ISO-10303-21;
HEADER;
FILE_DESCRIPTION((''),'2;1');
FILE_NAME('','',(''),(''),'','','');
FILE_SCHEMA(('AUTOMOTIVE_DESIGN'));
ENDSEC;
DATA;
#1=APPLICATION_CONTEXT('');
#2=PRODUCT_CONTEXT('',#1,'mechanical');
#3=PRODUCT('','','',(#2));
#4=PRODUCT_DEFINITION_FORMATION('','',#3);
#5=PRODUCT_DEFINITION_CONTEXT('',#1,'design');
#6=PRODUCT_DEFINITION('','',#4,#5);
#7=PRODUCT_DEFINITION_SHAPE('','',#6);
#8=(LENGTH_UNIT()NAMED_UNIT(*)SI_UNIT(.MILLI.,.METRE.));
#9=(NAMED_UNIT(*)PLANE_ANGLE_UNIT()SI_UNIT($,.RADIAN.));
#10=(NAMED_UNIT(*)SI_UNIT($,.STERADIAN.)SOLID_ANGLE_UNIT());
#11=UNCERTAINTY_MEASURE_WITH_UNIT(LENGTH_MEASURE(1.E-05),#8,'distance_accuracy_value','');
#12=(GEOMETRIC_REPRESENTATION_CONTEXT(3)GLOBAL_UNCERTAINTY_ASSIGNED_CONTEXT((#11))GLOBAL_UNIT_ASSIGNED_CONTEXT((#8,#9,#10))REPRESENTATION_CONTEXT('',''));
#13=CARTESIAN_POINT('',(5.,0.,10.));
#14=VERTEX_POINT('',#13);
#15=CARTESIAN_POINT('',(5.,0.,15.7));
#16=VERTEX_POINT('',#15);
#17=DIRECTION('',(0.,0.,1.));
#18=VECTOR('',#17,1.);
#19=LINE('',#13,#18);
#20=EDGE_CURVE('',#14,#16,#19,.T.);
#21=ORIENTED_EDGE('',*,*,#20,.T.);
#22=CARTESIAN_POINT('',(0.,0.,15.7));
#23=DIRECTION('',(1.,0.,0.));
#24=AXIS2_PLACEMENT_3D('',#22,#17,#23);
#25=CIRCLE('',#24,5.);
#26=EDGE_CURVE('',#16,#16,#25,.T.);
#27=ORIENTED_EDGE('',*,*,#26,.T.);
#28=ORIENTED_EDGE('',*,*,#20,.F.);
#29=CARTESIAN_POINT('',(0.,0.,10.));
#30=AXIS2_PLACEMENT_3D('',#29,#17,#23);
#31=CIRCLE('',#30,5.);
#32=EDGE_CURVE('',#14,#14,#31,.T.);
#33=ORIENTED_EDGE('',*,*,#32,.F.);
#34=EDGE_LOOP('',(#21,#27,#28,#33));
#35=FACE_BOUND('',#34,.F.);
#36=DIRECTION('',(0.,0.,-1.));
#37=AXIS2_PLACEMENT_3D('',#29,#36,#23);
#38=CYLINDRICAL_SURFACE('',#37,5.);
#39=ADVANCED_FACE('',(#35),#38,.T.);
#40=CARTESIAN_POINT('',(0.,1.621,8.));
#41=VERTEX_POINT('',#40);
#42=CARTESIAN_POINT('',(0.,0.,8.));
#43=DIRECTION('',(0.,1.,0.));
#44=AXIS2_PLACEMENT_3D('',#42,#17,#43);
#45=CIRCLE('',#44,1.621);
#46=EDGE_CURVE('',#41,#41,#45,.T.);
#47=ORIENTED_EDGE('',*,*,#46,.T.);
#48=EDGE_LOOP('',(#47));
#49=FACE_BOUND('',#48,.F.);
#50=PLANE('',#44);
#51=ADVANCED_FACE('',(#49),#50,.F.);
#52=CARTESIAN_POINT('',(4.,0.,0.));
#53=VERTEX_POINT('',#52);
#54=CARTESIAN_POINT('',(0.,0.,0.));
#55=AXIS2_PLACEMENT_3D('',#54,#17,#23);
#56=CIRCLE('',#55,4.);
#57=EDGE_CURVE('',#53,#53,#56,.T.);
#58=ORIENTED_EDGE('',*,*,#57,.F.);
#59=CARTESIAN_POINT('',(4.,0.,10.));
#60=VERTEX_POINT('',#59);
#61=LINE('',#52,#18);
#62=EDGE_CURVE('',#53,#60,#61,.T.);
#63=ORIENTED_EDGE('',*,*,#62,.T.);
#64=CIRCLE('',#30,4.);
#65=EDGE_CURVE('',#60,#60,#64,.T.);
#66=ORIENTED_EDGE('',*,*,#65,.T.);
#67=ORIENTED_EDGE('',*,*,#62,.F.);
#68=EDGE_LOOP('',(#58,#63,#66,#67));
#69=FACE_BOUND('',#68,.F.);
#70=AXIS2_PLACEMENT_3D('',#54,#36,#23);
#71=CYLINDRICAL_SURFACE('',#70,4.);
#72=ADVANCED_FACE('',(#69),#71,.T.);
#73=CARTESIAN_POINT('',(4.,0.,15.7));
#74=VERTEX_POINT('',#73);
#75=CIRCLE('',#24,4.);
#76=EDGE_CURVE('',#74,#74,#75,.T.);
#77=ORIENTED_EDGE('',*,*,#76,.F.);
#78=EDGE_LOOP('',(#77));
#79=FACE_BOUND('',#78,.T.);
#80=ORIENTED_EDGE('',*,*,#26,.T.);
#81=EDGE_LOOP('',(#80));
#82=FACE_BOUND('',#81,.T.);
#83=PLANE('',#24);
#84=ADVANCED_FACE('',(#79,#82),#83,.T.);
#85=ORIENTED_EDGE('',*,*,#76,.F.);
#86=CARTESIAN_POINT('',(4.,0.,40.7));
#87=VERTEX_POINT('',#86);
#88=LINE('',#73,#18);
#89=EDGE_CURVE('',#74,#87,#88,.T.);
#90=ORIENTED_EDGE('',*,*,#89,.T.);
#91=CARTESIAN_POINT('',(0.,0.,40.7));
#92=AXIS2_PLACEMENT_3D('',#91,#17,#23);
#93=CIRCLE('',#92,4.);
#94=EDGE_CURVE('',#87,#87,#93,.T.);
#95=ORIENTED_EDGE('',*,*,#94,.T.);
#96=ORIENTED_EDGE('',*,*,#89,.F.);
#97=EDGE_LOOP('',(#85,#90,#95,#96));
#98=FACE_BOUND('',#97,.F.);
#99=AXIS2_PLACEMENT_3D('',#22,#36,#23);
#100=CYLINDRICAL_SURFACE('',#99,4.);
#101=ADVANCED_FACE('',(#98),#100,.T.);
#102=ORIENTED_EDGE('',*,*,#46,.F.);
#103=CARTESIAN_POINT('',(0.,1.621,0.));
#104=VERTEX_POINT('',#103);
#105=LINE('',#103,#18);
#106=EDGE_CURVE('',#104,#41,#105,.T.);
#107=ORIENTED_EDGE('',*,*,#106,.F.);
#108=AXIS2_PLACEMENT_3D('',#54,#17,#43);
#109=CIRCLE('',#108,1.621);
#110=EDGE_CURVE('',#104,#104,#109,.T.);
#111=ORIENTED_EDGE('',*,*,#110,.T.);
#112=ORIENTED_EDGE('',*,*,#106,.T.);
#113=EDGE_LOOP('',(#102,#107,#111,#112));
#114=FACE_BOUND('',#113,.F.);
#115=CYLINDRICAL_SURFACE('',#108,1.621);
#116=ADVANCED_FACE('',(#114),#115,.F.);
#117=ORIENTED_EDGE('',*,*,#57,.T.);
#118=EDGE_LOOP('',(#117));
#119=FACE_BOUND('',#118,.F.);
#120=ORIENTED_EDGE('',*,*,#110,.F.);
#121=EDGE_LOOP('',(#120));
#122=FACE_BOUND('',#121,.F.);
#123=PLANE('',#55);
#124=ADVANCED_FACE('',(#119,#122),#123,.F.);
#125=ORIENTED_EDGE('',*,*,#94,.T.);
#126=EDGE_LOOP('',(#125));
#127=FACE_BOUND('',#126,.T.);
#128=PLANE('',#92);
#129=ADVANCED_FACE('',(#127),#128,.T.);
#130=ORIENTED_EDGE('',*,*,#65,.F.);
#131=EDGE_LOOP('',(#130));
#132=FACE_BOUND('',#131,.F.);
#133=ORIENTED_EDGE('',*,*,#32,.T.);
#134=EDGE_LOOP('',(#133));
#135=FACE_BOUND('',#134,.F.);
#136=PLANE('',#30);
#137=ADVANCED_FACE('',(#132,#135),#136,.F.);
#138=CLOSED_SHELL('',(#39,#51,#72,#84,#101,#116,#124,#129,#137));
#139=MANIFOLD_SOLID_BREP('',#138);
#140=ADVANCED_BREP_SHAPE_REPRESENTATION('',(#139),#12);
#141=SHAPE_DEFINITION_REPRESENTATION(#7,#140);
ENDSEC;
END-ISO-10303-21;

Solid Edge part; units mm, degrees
sketch "Sketch1" plane through (0, 0, 0) normal (0, 0, 1) x (1, 0, 0)
  circle A0 centre (0, 0) radius 4
  dimension "D1" = 8
extrude "Protrusion1" add sketch "Sketch1" along normal blind 10
sketch "Sketch2" plane through (0, 0, 10) normal (0, 0, 1) x (1, 0, 0)
  circle A0 centre (0, 0) radius 5
  dimension "D1" = 10
extrude "ExtrudedProtrusion_2" add sketch "Sketch2" along normal blind 5.7
sketch "Sketch3" plane through (0, 0, 15.7) normal (0, 0, 1) x (1, 0, 0)
  circle A0 centre (0, 0) radius 4
  dimension "D1" = 8
extrude "ExtrudedProtrusion_3" add sketch "Sketch3" along normal blind 25
hole "Hole_1" at (0, 0, 0) direction (0, 0, 1) diameter 3.242 depth 8
cosmetic_thread "Thread1" size "Tr 8 x 2"
properties material "Aluminum, 6061-T6"
